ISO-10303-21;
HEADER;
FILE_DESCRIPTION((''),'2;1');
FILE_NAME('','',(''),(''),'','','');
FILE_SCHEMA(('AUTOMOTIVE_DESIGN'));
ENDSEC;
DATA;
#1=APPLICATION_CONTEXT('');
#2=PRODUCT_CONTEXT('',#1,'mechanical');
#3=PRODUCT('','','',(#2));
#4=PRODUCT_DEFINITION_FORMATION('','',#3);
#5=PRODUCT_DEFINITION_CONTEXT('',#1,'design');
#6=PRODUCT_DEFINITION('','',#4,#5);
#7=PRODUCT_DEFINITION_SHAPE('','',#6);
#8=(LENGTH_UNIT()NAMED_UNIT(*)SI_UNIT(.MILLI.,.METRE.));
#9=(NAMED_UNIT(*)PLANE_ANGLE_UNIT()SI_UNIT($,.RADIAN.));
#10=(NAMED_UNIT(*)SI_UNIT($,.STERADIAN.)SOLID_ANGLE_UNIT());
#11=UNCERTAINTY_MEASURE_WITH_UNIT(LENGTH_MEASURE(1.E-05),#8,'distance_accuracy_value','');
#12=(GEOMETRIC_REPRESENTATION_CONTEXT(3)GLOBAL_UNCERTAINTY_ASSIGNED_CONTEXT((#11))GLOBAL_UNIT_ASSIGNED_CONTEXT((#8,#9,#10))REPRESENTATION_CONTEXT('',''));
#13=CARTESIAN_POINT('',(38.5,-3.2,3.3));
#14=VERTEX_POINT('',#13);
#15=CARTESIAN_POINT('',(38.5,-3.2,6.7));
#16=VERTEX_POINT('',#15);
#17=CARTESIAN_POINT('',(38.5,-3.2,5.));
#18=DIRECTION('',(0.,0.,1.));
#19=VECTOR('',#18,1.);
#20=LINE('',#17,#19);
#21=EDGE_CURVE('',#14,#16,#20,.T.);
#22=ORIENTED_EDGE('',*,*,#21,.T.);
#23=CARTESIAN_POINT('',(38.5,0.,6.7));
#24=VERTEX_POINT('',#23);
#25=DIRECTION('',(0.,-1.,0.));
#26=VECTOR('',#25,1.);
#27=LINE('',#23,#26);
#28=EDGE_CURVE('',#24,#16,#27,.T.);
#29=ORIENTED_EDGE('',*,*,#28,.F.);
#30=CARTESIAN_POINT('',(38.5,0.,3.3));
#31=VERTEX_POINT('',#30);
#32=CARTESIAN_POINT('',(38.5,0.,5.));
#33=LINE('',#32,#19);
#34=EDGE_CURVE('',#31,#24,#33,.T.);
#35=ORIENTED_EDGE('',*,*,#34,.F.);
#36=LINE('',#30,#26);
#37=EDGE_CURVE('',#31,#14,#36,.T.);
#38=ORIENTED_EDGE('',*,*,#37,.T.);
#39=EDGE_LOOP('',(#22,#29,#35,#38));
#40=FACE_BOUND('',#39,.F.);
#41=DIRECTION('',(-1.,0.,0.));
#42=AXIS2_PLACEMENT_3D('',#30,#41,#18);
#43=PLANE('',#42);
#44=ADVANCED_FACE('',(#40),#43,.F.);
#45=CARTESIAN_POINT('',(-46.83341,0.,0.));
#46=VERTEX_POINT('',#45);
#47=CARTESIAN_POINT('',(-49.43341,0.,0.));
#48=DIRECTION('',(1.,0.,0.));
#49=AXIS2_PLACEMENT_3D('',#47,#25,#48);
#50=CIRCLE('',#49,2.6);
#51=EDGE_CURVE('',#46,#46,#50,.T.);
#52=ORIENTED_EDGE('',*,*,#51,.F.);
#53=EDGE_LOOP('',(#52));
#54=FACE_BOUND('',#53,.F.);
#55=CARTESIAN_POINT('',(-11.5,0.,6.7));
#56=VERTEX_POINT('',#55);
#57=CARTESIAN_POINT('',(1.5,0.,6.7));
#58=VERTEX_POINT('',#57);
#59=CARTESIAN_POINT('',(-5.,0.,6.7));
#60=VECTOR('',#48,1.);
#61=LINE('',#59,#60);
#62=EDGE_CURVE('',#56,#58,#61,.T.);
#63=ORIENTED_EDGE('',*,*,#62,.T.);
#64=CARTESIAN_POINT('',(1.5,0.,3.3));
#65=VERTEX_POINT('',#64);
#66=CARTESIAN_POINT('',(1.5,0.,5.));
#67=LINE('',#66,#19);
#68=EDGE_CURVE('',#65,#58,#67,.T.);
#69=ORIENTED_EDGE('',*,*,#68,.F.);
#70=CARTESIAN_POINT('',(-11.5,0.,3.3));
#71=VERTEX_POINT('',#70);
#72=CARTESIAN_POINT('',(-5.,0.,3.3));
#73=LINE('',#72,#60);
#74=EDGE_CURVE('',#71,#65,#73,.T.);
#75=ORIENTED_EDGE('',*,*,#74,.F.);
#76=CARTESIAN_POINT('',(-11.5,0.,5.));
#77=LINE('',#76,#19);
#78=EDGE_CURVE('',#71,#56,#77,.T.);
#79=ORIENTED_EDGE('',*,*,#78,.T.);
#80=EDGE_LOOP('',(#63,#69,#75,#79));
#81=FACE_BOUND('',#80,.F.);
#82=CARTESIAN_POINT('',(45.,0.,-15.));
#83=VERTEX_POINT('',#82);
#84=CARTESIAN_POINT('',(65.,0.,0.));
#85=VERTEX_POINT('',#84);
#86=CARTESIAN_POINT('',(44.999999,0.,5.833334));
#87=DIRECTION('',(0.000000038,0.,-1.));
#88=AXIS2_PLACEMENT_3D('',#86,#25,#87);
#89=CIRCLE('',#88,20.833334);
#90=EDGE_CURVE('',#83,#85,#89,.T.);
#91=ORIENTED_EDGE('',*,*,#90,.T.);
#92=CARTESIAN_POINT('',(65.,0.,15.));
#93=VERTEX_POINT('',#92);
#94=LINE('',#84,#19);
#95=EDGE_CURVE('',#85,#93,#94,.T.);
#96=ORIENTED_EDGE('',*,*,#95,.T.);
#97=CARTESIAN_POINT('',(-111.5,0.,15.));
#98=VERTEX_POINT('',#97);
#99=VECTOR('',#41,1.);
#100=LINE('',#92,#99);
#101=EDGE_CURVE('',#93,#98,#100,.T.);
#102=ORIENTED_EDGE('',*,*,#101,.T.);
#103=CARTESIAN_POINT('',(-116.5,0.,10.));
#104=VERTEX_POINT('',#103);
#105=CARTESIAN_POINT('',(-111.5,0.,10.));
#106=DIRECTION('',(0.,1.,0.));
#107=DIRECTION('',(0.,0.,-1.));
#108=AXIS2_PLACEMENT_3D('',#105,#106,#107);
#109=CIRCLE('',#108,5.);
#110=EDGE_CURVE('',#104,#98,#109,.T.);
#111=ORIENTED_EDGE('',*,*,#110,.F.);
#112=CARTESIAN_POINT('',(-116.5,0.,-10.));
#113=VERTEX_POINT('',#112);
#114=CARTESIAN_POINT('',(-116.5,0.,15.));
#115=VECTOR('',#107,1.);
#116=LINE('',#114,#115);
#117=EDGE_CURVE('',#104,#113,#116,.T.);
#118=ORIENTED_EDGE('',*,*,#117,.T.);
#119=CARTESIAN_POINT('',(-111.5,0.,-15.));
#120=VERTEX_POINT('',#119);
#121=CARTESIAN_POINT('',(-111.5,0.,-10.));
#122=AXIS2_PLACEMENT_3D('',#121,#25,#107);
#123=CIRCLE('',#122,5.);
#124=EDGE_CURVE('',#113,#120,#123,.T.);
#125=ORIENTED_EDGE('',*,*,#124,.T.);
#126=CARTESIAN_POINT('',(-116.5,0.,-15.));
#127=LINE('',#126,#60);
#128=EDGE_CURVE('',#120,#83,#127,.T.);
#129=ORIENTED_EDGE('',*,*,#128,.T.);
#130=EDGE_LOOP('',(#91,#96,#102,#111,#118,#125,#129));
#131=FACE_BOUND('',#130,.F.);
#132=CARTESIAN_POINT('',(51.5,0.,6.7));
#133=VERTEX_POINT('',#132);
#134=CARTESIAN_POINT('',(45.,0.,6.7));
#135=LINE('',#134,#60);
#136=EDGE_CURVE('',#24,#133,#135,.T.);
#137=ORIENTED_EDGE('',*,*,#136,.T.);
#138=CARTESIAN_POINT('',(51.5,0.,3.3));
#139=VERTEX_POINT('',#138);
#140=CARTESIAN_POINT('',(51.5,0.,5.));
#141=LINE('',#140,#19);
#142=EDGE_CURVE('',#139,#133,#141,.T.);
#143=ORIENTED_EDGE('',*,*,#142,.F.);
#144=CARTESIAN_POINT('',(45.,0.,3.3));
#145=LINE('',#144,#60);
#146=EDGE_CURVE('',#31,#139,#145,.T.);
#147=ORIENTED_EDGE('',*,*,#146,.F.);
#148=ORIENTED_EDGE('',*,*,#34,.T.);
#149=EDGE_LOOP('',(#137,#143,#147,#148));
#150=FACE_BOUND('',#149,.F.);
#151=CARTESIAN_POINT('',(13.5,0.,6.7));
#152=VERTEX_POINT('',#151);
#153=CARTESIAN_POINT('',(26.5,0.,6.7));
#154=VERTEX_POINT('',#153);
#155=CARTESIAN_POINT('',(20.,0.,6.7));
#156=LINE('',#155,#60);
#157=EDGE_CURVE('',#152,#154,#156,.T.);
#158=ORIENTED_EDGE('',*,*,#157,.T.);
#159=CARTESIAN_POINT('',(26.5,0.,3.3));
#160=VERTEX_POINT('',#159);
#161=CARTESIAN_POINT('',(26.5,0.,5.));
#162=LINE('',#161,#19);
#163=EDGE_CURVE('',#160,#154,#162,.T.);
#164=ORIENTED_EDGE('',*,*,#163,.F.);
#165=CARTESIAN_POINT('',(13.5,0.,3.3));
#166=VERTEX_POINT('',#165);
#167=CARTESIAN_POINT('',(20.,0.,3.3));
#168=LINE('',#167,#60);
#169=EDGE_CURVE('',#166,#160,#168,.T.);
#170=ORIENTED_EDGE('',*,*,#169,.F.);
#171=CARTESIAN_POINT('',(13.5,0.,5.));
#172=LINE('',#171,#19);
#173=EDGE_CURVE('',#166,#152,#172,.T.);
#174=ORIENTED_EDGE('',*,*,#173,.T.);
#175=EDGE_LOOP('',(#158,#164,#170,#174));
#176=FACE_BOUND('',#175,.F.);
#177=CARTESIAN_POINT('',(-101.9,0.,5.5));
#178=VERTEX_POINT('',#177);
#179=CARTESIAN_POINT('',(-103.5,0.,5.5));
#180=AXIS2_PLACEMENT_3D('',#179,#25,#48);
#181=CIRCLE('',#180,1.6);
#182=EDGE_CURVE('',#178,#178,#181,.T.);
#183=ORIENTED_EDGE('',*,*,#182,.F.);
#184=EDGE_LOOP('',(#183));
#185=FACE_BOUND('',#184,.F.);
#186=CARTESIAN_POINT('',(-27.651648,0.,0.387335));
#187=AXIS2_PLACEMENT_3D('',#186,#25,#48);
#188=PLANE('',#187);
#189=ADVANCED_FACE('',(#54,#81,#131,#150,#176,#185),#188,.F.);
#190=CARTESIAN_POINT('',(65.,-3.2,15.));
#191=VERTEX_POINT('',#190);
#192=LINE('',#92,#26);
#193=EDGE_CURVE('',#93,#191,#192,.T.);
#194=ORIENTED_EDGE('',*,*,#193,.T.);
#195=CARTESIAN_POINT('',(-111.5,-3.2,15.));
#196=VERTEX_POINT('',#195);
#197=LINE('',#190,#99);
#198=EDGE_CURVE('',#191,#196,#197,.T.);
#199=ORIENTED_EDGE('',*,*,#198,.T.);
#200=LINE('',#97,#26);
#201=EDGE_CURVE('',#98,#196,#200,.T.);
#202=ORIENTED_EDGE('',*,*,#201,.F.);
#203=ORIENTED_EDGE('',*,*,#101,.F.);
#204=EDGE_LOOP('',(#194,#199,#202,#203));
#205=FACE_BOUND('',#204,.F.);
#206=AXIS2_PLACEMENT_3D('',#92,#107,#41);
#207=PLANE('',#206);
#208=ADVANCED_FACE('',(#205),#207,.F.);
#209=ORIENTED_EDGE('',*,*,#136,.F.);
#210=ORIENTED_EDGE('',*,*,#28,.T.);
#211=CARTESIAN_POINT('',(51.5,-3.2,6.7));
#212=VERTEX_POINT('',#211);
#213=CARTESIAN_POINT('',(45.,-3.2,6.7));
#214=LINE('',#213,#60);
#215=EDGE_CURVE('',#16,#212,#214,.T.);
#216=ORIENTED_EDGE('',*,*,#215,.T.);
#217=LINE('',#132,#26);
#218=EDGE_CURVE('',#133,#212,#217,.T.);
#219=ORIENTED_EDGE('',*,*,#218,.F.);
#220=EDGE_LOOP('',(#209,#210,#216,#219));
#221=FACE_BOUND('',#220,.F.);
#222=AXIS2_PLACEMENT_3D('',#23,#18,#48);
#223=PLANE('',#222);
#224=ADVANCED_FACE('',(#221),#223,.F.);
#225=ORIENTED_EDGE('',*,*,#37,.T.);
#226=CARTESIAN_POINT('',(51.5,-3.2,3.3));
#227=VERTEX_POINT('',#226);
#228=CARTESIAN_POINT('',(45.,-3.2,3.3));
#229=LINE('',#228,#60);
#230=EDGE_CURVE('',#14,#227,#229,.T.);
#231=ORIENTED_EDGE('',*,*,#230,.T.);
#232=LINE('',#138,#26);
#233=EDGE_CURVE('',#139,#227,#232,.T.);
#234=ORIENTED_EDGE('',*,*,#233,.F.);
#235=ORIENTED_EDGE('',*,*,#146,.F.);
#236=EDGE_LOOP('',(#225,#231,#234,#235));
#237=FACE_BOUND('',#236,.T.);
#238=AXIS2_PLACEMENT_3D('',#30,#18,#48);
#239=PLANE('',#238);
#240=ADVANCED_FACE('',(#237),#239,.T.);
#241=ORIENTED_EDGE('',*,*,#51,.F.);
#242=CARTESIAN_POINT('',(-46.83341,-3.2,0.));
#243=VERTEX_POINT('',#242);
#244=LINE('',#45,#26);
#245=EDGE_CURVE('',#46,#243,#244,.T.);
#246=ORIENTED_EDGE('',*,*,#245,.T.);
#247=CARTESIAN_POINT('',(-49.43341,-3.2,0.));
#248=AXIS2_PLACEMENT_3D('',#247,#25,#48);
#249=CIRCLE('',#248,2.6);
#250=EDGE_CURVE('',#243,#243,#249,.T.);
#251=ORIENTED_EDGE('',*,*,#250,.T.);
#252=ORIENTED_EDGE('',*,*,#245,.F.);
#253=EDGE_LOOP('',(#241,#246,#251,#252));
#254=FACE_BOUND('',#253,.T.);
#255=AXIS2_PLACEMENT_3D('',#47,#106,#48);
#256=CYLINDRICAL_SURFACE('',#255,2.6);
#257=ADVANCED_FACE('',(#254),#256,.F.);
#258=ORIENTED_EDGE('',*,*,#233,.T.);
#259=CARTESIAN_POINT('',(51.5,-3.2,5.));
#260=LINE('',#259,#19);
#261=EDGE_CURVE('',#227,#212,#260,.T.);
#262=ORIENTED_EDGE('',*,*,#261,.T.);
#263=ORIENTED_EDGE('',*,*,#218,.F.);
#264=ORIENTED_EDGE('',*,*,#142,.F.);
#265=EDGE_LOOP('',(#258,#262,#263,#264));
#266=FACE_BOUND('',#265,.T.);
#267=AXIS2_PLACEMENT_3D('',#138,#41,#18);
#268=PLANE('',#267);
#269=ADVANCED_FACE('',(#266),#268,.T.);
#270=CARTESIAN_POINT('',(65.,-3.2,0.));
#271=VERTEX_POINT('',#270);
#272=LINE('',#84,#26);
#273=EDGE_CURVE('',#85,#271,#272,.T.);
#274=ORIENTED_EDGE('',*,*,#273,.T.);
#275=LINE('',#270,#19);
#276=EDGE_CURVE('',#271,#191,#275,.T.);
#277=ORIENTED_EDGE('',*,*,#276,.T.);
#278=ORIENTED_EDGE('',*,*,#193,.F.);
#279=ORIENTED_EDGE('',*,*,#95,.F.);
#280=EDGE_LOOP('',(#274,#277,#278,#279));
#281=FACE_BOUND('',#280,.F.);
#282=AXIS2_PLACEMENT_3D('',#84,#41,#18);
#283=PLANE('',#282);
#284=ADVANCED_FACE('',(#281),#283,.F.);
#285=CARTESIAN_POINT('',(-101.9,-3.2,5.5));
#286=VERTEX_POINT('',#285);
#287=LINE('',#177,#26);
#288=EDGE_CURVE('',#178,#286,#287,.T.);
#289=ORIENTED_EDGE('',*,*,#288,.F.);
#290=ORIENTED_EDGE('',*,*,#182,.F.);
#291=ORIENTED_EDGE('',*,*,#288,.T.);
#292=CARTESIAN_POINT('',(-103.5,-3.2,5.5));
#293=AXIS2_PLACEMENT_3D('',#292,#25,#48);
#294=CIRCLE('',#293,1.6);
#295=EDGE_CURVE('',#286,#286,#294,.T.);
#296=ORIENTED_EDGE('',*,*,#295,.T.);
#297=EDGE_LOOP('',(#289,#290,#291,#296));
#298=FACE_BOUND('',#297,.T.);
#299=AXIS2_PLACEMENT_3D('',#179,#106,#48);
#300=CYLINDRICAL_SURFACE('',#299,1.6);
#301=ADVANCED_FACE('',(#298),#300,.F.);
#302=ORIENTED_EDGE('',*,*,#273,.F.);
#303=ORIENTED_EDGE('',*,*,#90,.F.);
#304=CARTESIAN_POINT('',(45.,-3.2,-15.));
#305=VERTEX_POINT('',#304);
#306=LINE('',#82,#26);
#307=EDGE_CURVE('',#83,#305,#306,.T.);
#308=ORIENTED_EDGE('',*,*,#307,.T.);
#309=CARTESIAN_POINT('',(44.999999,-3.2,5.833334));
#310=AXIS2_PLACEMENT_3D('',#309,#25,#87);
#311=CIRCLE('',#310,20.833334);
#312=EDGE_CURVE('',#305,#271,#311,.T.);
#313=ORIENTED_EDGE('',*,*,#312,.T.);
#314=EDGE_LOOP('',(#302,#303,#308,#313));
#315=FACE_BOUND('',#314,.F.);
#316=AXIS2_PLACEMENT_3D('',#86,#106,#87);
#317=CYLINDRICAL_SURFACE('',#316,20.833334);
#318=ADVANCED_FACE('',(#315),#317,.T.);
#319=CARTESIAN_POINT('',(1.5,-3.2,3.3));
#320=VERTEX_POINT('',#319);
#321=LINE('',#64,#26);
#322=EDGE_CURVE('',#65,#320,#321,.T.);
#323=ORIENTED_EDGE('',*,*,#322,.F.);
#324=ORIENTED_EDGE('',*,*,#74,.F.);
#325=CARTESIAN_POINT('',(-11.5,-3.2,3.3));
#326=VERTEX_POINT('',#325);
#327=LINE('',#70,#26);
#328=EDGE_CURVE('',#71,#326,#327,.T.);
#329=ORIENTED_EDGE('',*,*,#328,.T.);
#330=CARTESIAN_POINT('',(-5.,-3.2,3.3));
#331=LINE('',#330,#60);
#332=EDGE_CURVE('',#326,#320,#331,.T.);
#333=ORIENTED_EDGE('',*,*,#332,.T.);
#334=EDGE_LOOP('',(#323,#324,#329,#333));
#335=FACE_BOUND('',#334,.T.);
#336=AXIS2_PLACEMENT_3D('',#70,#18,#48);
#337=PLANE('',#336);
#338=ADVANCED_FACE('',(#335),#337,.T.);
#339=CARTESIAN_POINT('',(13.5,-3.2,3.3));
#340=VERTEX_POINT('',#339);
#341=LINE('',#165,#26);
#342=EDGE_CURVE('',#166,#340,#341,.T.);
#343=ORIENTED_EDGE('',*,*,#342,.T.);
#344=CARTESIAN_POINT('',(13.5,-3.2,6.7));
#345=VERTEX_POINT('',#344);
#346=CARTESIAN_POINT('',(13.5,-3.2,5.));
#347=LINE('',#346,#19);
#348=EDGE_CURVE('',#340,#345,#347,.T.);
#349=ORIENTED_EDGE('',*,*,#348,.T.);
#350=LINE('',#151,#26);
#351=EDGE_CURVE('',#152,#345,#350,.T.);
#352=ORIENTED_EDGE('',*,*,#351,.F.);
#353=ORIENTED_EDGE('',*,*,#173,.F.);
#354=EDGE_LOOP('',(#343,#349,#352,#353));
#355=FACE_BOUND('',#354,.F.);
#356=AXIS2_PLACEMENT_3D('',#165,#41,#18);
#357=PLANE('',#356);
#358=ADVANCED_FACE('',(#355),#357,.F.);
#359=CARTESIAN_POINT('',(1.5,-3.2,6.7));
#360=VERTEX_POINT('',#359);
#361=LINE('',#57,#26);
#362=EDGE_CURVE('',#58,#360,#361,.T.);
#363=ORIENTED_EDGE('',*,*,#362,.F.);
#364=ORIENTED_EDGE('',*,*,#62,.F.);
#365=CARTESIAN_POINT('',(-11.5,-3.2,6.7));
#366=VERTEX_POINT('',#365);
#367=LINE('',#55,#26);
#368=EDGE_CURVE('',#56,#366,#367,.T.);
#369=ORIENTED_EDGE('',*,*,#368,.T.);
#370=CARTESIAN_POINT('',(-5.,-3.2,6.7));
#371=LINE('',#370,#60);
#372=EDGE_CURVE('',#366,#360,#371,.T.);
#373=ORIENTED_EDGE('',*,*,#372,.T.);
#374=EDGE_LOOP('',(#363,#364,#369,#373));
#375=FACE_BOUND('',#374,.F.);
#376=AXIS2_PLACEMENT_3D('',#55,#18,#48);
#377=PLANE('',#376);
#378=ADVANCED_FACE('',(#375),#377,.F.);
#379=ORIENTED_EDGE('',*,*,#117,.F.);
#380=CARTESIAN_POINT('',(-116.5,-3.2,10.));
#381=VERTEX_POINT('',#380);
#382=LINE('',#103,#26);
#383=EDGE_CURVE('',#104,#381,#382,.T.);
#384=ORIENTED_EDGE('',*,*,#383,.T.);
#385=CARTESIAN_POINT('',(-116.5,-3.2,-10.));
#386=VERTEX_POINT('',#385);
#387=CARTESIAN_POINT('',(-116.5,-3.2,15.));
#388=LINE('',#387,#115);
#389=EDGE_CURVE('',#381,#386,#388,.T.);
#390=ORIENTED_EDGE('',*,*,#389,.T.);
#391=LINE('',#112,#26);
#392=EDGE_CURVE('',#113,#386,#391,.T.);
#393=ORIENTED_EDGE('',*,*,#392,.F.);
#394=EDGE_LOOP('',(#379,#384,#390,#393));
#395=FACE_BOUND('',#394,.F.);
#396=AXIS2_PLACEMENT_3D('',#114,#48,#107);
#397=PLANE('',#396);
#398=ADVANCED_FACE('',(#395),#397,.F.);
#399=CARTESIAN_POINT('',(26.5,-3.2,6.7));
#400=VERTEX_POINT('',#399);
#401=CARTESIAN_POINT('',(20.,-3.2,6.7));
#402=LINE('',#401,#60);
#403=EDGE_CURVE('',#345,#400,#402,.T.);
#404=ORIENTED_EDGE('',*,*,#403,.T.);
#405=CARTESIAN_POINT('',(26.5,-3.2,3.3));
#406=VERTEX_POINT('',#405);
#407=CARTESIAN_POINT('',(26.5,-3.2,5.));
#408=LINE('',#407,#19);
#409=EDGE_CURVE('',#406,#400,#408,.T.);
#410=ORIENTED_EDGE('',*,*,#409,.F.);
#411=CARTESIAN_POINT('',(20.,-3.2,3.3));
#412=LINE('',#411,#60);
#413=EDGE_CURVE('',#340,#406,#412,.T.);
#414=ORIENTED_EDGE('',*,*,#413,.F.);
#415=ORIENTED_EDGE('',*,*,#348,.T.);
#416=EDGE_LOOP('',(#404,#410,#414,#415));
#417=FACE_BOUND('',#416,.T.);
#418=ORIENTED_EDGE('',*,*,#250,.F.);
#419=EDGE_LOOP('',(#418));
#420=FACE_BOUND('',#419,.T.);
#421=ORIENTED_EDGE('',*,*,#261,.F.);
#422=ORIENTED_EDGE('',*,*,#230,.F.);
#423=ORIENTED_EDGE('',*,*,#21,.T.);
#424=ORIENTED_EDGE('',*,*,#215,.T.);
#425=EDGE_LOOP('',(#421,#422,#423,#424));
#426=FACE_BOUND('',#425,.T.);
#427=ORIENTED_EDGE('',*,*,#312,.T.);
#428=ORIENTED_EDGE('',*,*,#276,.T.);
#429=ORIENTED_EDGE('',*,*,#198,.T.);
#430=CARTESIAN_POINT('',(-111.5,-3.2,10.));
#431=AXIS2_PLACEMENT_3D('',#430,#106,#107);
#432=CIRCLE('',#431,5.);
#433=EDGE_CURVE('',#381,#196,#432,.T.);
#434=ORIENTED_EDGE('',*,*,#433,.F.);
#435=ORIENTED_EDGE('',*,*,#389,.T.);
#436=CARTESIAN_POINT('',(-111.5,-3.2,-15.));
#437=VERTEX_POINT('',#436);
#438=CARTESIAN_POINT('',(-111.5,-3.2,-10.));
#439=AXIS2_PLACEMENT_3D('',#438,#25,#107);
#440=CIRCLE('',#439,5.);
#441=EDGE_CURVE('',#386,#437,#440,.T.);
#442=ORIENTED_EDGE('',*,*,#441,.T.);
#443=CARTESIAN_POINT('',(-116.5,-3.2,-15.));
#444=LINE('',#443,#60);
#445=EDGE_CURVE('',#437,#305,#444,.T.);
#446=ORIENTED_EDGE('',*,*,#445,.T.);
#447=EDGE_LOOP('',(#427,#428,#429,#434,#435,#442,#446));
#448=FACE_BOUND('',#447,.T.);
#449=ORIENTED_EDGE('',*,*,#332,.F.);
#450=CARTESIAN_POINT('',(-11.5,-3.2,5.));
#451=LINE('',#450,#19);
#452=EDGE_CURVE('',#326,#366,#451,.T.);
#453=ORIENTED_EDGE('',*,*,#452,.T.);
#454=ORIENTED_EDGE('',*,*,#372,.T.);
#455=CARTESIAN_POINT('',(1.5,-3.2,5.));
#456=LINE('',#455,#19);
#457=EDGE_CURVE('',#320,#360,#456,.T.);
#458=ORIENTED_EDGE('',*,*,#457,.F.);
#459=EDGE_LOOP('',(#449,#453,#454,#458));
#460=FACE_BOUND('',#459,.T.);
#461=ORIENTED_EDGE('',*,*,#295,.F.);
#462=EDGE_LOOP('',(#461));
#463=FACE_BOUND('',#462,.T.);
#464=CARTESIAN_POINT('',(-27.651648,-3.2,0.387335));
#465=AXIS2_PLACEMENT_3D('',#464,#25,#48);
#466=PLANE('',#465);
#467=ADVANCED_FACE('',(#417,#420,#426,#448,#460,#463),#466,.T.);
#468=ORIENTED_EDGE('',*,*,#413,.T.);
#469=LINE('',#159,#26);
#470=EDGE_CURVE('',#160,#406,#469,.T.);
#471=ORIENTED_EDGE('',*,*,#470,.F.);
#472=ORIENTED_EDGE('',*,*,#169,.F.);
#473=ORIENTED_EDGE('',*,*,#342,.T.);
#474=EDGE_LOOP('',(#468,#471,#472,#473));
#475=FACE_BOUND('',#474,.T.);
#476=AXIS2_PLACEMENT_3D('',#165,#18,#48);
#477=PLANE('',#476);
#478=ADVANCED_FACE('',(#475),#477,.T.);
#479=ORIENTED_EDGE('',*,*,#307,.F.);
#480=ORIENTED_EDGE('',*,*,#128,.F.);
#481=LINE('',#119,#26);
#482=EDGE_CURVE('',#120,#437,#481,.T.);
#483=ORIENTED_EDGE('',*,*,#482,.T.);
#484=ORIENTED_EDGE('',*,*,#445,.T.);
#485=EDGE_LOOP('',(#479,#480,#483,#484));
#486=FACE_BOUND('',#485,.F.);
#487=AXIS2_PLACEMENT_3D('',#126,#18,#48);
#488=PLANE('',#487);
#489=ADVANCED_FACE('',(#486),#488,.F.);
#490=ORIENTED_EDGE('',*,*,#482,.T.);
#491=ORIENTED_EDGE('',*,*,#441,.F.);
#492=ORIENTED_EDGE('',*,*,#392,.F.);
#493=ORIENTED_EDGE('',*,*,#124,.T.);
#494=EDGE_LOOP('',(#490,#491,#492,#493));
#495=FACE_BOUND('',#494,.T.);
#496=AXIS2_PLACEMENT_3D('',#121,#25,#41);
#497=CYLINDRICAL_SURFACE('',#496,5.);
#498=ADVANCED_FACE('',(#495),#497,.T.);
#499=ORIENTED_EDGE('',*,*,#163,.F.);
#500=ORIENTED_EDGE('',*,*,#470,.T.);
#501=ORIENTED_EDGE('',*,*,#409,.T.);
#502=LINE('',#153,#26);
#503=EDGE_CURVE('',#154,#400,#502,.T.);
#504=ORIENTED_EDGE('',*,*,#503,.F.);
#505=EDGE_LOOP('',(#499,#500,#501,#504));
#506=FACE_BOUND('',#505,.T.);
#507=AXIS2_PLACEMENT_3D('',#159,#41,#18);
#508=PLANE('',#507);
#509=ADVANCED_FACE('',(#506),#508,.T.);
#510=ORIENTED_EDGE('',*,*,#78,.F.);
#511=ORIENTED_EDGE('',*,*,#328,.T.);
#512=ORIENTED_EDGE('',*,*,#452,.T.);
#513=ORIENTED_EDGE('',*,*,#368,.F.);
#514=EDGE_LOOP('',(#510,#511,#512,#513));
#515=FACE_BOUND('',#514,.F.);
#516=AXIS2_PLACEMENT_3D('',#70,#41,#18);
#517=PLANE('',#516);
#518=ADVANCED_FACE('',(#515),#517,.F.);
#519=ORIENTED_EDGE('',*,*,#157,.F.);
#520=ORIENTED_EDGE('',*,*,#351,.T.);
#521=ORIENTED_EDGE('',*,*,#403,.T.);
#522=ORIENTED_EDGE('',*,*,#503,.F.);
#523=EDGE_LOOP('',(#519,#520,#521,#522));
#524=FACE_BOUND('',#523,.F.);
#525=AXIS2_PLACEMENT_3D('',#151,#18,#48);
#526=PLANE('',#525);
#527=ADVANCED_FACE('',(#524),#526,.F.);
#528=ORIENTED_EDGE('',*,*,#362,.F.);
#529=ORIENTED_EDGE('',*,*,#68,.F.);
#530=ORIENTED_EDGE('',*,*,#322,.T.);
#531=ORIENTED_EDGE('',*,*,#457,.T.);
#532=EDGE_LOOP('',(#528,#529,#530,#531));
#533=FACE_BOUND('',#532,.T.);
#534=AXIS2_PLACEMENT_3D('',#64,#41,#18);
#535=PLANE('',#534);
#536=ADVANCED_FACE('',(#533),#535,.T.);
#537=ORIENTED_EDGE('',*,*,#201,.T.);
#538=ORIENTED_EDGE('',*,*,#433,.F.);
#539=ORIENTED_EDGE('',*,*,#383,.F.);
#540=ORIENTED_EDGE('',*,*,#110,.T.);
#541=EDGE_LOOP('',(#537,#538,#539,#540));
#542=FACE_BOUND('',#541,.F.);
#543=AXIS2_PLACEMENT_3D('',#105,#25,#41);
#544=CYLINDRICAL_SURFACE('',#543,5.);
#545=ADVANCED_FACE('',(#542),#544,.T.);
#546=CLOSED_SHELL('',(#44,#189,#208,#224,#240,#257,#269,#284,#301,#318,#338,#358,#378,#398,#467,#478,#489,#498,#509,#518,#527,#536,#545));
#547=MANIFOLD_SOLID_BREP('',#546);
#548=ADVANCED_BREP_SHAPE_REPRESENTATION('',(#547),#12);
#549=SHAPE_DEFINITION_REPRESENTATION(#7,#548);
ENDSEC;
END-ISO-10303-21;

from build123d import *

# Parameters (mm, degrees)
F0_R     = 1.6
F0_R_2   = 2.6
F0_W     = 13
F0_H     = 3.4
F1_DEPTH = 3.2
F2_R     = 5


with BuildPart() as f1:
    # F0 (on Front) → F1 (new body)
    with BuildSketch(Plane.XZ):
        with BuildLine():
            Line((-65, 15), (-116.5, 15))
            Line((-116.5, 15), (-116.5, -15))
            Line((-116.5, -15), (-65, -15))
            Line((-65, -15), (45, -15))
            ThreePointArc((45, -15), (57.5, -10.833333), (65, 0))
            Line((65, 0), (65, 15))
            Line((65, 15), (-65, 15))
        make_face()
        with Locations((-103.5, 5.5)):
            Circle(F0_R, mode=Mode.SUBTRACT)
        with Locations((-49.43341, 0)):
            Circle(F0_R_2, mode=Mode.SUBTRACT)
        with Locations((-5, 5)):
            Rectangle(F0_W, F0_H, mode=Mode.SUBTRACT)
        with Locations((20, 5)):
            Rectangle(F0_W, F0_H, mode=Mode.SUBTRACT)
        with Locations((45, 5)):
            Rectangle(F0_W, F0_H, mode=Mode.SUBTRACT)
    extrude(amount=F1_DEPTH)

    # F2
    f2_edges = [f1.edges().sort_by_distance(p)[0] for p in [
        (-116.5, -1.6, 15),
        (-116.5, -1.6, -15),
    ]]
    fillet(f2_edges, radius=F2_R)


solid = f1.part
